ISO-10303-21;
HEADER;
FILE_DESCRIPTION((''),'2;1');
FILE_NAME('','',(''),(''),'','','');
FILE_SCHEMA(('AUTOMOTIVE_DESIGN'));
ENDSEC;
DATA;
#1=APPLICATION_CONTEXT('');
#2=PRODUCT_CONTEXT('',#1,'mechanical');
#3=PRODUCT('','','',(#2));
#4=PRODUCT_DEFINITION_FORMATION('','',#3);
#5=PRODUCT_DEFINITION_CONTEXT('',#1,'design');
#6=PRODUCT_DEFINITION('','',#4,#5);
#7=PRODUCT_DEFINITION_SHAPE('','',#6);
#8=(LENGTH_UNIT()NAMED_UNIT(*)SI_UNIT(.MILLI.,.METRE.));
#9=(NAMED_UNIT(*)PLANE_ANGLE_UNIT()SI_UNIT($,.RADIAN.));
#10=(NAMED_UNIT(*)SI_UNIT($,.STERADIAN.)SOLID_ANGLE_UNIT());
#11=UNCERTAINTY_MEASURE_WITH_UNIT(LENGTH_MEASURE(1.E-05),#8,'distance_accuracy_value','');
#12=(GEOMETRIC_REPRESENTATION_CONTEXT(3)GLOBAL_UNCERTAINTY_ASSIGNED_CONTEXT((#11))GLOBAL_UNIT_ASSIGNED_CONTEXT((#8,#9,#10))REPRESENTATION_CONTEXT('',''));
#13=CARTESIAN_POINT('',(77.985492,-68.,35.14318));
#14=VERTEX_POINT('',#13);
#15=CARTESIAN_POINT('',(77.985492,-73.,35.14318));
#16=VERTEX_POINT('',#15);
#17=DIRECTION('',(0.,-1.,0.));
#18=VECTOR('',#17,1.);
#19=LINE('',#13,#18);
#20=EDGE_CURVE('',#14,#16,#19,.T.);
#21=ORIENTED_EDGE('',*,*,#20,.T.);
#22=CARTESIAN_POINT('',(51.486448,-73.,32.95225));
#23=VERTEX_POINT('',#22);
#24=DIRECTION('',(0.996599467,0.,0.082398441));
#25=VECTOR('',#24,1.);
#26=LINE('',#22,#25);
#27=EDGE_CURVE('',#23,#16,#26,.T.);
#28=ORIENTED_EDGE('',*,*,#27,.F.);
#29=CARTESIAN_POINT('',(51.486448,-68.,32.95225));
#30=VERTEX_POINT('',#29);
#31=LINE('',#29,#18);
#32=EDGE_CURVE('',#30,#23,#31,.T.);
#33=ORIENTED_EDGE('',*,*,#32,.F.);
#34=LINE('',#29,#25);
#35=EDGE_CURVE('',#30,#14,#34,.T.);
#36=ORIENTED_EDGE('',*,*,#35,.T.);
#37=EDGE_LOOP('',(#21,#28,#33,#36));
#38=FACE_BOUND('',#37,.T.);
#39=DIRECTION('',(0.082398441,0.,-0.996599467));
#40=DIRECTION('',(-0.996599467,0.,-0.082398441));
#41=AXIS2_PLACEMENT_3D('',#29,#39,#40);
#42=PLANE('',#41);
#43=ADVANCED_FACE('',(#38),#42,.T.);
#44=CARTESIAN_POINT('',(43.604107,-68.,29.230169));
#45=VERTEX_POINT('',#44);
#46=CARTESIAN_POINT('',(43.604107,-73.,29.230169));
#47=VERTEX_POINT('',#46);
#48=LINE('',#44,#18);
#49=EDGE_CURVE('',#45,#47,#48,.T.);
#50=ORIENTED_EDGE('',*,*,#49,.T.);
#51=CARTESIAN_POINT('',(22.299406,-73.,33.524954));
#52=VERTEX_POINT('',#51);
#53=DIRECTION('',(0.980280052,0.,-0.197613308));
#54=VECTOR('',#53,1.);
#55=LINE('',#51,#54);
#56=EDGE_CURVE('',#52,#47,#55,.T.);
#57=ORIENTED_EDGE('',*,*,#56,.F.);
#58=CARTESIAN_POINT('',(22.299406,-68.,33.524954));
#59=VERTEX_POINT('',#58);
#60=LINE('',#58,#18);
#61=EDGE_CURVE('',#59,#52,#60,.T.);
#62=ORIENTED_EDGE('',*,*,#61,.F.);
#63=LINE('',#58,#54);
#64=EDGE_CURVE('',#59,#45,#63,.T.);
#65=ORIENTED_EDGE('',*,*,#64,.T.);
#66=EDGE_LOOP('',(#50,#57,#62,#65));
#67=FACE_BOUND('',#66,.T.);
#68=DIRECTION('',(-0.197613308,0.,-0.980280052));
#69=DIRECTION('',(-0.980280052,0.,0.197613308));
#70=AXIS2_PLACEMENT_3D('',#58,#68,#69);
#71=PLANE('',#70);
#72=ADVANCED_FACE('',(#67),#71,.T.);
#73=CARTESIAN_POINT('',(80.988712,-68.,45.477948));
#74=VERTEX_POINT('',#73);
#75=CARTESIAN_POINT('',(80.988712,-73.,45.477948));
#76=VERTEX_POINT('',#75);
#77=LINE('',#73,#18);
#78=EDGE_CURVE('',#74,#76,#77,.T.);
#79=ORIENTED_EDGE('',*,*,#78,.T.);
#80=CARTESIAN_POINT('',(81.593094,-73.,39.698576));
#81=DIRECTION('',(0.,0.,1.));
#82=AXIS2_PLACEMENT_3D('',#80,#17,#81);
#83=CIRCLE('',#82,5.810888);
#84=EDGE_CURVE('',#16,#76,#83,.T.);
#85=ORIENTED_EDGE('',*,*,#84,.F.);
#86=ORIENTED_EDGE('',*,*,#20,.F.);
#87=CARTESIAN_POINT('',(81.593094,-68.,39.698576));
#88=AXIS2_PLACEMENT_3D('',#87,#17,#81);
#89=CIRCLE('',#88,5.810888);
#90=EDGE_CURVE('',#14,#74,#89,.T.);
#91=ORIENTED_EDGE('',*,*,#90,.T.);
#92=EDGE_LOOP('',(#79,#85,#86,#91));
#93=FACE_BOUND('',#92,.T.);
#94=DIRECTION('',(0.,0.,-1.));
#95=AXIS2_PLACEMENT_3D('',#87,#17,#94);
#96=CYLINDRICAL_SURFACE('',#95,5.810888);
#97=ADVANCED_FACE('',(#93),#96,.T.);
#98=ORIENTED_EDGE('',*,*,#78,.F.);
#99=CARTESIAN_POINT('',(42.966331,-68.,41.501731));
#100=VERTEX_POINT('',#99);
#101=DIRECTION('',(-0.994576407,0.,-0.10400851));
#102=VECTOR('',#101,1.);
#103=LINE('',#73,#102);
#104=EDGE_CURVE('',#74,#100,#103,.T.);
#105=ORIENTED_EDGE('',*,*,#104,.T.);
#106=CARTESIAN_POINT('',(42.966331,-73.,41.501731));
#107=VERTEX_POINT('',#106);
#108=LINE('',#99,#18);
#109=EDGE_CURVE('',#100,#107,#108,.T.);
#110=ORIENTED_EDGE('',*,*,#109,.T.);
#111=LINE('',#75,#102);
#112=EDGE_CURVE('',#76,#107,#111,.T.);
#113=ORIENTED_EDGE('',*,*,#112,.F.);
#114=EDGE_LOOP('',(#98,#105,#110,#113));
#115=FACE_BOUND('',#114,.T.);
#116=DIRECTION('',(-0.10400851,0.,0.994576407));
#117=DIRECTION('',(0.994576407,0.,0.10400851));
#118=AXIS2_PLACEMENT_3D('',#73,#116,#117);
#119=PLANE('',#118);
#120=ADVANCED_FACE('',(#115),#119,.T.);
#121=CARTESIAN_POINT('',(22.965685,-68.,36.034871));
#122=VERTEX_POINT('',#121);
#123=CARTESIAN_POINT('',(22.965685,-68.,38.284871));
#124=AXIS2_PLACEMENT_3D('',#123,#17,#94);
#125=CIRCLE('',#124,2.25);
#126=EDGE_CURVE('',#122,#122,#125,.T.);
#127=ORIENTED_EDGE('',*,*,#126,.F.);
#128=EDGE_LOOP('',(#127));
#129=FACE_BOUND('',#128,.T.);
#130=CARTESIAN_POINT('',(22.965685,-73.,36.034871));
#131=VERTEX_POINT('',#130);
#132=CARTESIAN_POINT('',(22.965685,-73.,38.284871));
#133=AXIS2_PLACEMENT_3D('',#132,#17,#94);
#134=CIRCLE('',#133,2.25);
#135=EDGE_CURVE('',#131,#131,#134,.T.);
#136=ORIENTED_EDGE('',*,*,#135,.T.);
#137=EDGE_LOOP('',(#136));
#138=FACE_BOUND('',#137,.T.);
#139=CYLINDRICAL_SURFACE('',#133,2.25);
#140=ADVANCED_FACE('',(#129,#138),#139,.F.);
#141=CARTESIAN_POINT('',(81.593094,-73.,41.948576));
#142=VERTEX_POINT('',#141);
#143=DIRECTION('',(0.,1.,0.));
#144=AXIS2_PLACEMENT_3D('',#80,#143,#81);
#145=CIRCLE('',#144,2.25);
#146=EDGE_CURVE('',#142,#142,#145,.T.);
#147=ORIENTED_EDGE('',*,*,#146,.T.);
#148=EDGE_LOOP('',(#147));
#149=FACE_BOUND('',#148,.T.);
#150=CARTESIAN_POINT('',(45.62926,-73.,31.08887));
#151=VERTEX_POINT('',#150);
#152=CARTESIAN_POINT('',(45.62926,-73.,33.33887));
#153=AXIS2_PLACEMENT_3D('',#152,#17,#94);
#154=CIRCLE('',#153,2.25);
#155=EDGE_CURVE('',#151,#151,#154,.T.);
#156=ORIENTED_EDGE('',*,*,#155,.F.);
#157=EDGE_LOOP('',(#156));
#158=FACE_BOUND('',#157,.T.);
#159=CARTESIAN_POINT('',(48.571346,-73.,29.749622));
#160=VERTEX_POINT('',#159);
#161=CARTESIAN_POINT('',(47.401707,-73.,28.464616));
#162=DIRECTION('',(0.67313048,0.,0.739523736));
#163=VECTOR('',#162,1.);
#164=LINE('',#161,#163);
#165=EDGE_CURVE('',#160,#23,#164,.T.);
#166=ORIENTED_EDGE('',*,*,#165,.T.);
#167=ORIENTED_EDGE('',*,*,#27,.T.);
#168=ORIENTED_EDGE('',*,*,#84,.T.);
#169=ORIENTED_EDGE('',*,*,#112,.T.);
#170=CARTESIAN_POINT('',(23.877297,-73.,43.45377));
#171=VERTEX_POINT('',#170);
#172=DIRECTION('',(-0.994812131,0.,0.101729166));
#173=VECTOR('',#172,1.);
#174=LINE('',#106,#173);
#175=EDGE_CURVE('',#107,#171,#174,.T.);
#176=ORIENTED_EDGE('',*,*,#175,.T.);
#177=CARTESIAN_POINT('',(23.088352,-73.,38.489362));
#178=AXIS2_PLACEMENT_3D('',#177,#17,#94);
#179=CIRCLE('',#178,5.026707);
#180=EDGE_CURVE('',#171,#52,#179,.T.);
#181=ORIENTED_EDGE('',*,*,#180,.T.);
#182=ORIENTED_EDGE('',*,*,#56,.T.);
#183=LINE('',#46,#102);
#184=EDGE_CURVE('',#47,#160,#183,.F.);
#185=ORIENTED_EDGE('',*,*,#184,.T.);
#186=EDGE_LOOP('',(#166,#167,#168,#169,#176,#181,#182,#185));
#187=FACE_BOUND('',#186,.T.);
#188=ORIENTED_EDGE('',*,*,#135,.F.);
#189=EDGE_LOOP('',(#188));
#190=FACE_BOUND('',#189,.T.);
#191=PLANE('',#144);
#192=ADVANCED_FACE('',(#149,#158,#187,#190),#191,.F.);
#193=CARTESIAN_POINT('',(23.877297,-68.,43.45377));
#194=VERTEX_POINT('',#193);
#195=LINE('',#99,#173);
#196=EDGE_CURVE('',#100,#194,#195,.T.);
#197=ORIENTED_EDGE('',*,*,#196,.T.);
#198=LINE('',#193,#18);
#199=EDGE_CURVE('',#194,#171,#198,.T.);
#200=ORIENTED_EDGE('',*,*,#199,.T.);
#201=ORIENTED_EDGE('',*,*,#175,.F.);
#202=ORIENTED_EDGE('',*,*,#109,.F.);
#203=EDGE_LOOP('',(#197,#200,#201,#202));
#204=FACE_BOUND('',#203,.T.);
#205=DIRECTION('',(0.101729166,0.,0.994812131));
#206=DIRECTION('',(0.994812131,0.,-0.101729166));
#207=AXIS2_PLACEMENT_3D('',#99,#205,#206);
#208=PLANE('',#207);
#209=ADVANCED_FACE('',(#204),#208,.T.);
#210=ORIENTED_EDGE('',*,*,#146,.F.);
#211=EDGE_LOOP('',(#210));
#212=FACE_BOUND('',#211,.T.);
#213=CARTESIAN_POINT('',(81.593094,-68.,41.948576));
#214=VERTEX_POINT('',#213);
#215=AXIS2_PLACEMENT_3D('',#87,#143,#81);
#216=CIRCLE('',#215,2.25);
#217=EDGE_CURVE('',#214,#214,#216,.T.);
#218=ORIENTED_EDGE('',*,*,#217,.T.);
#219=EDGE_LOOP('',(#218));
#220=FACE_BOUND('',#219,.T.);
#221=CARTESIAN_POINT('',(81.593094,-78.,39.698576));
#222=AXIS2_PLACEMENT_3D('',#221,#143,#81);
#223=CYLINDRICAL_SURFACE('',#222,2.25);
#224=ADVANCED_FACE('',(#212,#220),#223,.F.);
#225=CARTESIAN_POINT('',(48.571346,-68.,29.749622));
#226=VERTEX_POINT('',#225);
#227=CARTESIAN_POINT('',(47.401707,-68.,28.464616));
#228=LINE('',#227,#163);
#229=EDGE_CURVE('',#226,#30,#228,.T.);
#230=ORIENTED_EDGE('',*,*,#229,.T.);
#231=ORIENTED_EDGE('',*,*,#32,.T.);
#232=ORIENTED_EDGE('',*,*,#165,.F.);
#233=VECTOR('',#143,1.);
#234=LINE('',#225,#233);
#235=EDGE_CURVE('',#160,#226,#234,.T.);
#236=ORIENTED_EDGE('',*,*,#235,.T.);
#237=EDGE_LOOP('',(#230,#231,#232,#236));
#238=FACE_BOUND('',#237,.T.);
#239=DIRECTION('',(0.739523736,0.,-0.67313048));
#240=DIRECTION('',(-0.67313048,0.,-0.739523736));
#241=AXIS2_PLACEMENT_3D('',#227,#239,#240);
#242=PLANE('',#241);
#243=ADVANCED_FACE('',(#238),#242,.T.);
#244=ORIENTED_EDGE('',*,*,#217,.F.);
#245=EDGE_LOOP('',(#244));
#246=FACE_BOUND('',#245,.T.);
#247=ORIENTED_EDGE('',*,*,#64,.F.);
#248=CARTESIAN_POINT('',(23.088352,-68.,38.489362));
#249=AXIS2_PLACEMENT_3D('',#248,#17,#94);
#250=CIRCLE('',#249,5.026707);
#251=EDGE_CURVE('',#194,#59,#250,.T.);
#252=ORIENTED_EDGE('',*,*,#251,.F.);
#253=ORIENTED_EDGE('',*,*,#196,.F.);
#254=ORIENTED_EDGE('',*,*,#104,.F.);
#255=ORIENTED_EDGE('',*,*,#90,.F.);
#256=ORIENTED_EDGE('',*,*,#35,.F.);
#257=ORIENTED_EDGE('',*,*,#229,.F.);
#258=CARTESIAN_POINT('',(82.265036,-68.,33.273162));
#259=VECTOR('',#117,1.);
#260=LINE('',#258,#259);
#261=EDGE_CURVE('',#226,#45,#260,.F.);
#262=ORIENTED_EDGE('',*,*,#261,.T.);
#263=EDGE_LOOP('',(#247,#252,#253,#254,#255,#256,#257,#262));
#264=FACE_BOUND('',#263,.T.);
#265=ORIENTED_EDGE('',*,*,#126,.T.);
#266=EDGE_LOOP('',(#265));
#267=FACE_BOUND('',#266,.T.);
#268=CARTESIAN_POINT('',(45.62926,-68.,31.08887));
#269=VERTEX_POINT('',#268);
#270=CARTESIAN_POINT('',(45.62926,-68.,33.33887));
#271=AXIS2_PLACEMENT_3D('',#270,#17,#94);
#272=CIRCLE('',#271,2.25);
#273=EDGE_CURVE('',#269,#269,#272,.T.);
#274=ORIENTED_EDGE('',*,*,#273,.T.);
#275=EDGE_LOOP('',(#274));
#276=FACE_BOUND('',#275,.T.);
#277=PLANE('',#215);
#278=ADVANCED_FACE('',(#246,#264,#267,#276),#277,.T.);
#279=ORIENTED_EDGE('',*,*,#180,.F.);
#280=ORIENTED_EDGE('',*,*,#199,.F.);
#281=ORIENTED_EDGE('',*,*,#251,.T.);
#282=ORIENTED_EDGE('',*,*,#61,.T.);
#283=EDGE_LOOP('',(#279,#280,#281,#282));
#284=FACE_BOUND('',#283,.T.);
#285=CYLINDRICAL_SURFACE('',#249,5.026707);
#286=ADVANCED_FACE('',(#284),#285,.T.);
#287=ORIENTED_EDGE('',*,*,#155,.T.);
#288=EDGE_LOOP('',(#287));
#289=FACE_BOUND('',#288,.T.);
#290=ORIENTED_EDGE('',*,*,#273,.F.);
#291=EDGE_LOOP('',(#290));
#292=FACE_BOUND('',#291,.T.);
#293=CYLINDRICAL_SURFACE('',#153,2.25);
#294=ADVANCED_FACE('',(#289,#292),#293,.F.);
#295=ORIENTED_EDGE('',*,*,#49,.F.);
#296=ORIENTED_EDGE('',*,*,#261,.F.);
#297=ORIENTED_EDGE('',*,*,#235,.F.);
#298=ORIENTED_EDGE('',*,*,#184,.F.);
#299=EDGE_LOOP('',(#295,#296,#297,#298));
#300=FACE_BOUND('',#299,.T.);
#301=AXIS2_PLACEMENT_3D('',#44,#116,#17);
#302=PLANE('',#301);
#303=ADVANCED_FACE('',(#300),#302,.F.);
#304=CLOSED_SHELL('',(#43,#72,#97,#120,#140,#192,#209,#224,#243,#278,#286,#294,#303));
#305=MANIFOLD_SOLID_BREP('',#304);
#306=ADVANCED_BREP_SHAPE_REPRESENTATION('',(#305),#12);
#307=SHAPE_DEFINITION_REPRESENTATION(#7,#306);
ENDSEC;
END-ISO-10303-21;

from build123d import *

# Parameters (mm, degrees)
BOSS_EXTRUDE1_DEPTH        = 5
F_4_5_4_5_DIAMETER_HOLE1_D = 4.5
F_4_5_4_5_DIAMETER_HOLE2_D = 4.5
CHAMFER3_SIZE              = 1.737611999
CHAMFER3_SIZE2             = 3.873994542
SKETCH18_R                 = 2.25
CUT_EXTRUDE1_DEPTH         = 10


with BuildPart() as part:
    # Sketch1 → Boss-Extrude1 (new body)
    with BuildSketch(Plane.XZ.offset(73)):
        with BuildLine():
            Line((47.401706558, 28.464616212), (51.486447787, 32.952250014))
            Line((51.486447787, 32.952250014), (77.985492495, 35.143180318))
            ThreePointArc((77.985492495, 35.143180318), (87.173153133, 38.077045167), (80.988712415, 45.477948081))
            Line((80.988712415, 45.477948081), (42.966330666, 41.501731436))
            Line((42.966330666, 41.501731436), (23.877297166, 43.453769804))
            ThreePointArc((23.877297166, 43.453769804), (18.123943846, 39.278307812), (22.299405838, 33.524954492))
            Line((22.299405838, 33.524954492), (47.401706558, 28.464616212))
        make_face()
    extrude(amount=-BOSS_EXTRUDE1_DEPTH)

    # Ø4.5 (4.5) Diameter Hole1 (through all)
    with Locations(Plane(origin=(0, -73, 0), x_dir=(-1, 0, 0), z_dir=(0, -1, 0))):
        with Locations((-45.629259616, -33.33886952)):
            Hole(F_4_5_4_5_DIAMETER_HOLE1_D / 2)

    # Ø4.5 (4.5) Diameter Hole2 (through all)
    with Locations(Plane(origin=(0, -73, 0), x_dir=(-1, 0, 0), z_dir=(0, -1, 0))):
        with Locations((-22.965684709, -38.284870865)):
            Hole(F_4_5_4_5_DIAMETER_HOLE2_D / 2)

    # Chamfer3
    chamfer3_edges = [part.edges().sort_by_distance(p)[0] for p in [
        (47.401706558, -70.5, 28.464616212),
    ]]
    chamfer3_side = [part.faces().sort_by_distance(p)[0] for p in [
        (49.444077173, -70.5, 30.708433113),
    ]]
    chamfer(chamfer3_edges, length=CHAMFER3_SIZE, length2=CHAMFER3_SIZE2, reference=chamfer3_side[0])

    # Sketch18 → Cut-Extrude1 (cut)
    with BuildSketch(Plane(origin=(0, -68, 0), x_dir=(1, 0, 0), z_dir=(0, 1, 0))):
        with Locations((81.593094218, -39.698575952)):
            Circle(SKETCH18_R)
    extrude(amount=-CUT_EXTRUDE1_DEPTH, mode=Mode.SUBTRACT)


solid = part.part
